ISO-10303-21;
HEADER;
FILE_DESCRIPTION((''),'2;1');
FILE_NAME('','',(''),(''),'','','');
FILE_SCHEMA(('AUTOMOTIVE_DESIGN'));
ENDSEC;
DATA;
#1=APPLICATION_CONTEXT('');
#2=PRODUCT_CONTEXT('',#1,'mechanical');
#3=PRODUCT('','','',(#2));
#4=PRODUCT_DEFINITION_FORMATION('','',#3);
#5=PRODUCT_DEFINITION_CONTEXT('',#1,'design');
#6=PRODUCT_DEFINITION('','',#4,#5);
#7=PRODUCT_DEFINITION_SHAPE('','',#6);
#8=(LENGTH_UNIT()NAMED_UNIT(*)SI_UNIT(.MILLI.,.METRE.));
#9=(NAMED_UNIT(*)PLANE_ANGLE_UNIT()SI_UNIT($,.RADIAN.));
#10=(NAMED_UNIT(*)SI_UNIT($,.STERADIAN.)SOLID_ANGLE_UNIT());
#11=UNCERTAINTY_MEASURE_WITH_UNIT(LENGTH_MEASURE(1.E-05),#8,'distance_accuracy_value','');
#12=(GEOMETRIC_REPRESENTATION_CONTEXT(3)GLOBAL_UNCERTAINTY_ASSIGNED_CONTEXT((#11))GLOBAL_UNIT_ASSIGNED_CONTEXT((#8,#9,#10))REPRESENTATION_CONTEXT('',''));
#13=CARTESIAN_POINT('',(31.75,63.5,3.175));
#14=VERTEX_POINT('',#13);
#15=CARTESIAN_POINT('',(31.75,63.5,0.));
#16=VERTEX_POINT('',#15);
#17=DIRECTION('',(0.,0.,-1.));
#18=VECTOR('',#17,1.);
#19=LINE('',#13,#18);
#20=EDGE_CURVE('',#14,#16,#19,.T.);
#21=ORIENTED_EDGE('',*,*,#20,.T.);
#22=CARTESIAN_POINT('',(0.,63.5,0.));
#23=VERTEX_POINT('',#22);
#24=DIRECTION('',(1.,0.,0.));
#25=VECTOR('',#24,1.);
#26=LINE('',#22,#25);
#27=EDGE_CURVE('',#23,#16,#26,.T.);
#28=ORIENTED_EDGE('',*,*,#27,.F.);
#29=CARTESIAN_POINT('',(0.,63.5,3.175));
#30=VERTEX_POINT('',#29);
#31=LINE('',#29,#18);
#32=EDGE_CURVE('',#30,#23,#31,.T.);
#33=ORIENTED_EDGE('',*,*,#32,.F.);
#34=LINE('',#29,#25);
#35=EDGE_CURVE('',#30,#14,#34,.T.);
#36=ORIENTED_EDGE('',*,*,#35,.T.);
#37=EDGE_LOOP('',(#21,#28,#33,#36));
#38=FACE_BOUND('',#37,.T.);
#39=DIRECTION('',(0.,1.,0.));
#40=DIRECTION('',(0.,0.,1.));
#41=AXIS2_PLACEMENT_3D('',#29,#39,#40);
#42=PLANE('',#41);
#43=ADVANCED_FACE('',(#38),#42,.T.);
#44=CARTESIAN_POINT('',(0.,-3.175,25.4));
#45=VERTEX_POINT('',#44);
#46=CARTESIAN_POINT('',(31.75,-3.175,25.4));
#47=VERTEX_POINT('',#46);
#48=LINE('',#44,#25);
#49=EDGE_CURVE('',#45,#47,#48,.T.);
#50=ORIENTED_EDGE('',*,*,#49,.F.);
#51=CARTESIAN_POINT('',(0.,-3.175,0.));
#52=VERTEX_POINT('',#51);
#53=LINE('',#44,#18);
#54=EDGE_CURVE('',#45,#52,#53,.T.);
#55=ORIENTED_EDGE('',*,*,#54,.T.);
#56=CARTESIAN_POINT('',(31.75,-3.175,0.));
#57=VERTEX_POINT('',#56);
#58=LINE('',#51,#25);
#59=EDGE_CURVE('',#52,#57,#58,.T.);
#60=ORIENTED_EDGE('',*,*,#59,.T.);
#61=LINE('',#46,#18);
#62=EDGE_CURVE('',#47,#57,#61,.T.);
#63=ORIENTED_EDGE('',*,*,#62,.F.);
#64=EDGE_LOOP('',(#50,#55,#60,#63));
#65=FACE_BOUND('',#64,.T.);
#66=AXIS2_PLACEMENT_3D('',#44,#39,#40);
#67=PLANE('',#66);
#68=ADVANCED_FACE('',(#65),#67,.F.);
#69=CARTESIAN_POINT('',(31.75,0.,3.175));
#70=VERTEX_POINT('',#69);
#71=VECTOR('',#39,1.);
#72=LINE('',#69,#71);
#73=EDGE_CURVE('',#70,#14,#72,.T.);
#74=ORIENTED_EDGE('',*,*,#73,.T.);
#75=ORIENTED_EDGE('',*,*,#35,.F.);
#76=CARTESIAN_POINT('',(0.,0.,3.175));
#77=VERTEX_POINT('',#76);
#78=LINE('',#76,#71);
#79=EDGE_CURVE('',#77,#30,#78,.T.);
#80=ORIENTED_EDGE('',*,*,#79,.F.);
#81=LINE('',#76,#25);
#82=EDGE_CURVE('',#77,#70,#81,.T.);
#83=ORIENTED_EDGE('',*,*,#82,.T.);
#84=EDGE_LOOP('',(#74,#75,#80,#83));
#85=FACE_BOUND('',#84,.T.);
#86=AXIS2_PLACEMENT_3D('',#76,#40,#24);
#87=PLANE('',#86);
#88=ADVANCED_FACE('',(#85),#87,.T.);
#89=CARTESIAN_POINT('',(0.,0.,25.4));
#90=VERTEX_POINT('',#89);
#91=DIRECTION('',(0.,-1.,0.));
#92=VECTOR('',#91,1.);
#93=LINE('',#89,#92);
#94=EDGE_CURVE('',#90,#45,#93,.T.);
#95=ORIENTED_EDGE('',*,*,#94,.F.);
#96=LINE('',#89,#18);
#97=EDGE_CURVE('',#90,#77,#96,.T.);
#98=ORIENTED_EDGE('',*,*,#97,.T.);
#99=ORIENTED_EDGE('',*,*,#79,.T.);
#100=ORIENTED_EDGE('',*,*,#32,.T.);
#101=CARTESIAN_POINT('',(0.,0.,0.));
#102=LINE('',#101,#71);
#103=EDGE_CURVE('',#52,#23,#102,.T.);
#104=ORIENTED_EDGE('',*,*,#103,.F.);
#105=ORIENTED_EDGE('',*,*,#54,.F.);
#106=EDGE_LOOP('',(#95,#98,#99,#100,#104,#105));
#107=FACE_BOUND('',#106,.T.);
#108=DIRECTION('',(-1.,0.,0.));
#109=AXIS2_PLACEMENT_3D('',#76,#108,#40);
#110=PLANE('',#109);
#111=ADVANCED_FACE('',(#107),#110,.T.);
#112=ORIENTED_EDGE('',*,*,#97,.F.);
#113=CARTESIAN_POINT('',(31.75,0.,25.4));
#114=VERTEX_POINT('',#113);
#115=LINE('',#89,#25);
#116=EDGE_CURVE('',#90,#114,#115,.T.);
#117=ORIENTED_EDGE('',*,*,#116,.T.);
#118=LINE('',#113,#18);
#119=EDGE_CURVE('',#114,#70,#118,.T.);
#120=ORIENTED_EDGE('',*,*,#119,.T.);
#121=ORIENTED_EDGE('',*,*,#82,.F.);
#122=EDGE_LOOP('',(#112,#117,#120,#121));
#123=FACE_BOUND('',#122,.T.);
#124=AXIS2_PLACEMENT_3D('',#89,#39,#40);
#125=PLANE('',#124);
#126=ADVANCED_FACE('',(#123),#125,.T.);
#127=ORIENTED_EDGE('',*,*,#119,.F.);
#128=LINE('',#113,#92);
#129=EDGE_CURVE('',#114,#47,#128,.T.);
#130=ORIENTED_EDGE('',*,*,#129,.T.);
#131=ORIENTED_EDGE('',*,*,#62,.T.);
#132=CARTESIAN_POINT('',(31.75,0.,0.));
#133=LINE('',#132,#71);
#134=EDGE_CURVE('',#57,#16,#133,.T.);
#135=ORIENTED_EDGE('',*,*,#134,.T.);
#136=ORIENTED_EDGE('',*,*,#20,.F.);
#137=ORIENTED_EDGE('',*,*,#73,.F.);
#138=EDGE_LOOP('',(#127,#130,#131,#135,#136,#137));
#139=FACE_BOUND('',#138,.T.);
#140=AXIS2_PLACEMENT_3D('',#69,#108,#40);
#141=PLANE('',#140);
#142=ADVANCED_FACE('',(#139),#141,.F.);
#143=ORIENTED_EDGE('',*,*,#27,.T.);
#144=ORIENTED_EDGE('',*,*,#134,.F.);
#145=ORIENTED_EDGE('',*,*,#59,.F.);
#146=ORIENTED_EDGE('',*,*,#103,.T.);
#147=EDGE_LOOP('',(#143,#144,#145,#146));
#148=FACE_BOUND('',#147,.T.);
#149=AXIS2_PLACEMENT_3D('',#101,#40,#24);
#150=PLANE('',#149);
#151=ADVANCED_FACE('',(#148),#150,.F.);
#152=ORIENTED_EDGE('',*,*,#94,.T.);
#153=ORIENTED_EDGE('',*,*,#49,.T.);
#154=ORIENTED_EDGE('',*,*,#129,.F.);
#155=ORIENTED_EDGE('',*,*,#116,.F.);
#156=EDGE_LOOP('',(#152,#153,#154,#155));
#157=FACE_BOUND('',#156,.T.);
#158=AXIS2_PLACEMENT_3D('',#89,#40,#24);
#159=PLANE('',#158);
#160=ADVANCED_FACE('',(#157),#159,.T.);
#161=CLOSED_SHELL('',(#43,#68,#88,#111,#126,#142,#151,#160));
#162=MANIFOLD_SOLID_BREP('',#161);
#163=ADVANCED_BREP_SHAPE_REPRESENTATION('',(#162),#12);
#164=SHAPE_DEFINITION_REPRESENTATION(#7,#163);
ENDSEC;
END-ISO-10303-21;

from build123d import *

# Parameters (mm, degrees)
SKETCH1_W           = 31.75
SKETCH1_H           = 63.5
BOSS_EXTRUDE1_DEPTH = 3.175
SKETCH1_3_W         = 31.75
SKETCH1_3_H         = 3.175
BOSS_EXTRUDE2_DEPTH = 25.4


with BuildPart() as part:
    # Sketch1 → Boss-Extrude1 (new body)
    with BuildSketch(Plane.XY):
        with Locations((15.875, 31.75)):
            Rectangle(SKETCH1_W, SKETCH1_H)
    extrude(amount=BOSS_EXTRUDE1_DEPTH)

    # Sketch1<3> → Boss-Extrude2 (add)
    with BuildSketch(Plane.XY):
        with Locations((15.875, -1.5875)):
            Rectangle(SKETCH1_3_W, SKETCH1_3_H)
    extrude(amount=BOSS_EXTRUDE2_DEPTH)


solid = part.part
